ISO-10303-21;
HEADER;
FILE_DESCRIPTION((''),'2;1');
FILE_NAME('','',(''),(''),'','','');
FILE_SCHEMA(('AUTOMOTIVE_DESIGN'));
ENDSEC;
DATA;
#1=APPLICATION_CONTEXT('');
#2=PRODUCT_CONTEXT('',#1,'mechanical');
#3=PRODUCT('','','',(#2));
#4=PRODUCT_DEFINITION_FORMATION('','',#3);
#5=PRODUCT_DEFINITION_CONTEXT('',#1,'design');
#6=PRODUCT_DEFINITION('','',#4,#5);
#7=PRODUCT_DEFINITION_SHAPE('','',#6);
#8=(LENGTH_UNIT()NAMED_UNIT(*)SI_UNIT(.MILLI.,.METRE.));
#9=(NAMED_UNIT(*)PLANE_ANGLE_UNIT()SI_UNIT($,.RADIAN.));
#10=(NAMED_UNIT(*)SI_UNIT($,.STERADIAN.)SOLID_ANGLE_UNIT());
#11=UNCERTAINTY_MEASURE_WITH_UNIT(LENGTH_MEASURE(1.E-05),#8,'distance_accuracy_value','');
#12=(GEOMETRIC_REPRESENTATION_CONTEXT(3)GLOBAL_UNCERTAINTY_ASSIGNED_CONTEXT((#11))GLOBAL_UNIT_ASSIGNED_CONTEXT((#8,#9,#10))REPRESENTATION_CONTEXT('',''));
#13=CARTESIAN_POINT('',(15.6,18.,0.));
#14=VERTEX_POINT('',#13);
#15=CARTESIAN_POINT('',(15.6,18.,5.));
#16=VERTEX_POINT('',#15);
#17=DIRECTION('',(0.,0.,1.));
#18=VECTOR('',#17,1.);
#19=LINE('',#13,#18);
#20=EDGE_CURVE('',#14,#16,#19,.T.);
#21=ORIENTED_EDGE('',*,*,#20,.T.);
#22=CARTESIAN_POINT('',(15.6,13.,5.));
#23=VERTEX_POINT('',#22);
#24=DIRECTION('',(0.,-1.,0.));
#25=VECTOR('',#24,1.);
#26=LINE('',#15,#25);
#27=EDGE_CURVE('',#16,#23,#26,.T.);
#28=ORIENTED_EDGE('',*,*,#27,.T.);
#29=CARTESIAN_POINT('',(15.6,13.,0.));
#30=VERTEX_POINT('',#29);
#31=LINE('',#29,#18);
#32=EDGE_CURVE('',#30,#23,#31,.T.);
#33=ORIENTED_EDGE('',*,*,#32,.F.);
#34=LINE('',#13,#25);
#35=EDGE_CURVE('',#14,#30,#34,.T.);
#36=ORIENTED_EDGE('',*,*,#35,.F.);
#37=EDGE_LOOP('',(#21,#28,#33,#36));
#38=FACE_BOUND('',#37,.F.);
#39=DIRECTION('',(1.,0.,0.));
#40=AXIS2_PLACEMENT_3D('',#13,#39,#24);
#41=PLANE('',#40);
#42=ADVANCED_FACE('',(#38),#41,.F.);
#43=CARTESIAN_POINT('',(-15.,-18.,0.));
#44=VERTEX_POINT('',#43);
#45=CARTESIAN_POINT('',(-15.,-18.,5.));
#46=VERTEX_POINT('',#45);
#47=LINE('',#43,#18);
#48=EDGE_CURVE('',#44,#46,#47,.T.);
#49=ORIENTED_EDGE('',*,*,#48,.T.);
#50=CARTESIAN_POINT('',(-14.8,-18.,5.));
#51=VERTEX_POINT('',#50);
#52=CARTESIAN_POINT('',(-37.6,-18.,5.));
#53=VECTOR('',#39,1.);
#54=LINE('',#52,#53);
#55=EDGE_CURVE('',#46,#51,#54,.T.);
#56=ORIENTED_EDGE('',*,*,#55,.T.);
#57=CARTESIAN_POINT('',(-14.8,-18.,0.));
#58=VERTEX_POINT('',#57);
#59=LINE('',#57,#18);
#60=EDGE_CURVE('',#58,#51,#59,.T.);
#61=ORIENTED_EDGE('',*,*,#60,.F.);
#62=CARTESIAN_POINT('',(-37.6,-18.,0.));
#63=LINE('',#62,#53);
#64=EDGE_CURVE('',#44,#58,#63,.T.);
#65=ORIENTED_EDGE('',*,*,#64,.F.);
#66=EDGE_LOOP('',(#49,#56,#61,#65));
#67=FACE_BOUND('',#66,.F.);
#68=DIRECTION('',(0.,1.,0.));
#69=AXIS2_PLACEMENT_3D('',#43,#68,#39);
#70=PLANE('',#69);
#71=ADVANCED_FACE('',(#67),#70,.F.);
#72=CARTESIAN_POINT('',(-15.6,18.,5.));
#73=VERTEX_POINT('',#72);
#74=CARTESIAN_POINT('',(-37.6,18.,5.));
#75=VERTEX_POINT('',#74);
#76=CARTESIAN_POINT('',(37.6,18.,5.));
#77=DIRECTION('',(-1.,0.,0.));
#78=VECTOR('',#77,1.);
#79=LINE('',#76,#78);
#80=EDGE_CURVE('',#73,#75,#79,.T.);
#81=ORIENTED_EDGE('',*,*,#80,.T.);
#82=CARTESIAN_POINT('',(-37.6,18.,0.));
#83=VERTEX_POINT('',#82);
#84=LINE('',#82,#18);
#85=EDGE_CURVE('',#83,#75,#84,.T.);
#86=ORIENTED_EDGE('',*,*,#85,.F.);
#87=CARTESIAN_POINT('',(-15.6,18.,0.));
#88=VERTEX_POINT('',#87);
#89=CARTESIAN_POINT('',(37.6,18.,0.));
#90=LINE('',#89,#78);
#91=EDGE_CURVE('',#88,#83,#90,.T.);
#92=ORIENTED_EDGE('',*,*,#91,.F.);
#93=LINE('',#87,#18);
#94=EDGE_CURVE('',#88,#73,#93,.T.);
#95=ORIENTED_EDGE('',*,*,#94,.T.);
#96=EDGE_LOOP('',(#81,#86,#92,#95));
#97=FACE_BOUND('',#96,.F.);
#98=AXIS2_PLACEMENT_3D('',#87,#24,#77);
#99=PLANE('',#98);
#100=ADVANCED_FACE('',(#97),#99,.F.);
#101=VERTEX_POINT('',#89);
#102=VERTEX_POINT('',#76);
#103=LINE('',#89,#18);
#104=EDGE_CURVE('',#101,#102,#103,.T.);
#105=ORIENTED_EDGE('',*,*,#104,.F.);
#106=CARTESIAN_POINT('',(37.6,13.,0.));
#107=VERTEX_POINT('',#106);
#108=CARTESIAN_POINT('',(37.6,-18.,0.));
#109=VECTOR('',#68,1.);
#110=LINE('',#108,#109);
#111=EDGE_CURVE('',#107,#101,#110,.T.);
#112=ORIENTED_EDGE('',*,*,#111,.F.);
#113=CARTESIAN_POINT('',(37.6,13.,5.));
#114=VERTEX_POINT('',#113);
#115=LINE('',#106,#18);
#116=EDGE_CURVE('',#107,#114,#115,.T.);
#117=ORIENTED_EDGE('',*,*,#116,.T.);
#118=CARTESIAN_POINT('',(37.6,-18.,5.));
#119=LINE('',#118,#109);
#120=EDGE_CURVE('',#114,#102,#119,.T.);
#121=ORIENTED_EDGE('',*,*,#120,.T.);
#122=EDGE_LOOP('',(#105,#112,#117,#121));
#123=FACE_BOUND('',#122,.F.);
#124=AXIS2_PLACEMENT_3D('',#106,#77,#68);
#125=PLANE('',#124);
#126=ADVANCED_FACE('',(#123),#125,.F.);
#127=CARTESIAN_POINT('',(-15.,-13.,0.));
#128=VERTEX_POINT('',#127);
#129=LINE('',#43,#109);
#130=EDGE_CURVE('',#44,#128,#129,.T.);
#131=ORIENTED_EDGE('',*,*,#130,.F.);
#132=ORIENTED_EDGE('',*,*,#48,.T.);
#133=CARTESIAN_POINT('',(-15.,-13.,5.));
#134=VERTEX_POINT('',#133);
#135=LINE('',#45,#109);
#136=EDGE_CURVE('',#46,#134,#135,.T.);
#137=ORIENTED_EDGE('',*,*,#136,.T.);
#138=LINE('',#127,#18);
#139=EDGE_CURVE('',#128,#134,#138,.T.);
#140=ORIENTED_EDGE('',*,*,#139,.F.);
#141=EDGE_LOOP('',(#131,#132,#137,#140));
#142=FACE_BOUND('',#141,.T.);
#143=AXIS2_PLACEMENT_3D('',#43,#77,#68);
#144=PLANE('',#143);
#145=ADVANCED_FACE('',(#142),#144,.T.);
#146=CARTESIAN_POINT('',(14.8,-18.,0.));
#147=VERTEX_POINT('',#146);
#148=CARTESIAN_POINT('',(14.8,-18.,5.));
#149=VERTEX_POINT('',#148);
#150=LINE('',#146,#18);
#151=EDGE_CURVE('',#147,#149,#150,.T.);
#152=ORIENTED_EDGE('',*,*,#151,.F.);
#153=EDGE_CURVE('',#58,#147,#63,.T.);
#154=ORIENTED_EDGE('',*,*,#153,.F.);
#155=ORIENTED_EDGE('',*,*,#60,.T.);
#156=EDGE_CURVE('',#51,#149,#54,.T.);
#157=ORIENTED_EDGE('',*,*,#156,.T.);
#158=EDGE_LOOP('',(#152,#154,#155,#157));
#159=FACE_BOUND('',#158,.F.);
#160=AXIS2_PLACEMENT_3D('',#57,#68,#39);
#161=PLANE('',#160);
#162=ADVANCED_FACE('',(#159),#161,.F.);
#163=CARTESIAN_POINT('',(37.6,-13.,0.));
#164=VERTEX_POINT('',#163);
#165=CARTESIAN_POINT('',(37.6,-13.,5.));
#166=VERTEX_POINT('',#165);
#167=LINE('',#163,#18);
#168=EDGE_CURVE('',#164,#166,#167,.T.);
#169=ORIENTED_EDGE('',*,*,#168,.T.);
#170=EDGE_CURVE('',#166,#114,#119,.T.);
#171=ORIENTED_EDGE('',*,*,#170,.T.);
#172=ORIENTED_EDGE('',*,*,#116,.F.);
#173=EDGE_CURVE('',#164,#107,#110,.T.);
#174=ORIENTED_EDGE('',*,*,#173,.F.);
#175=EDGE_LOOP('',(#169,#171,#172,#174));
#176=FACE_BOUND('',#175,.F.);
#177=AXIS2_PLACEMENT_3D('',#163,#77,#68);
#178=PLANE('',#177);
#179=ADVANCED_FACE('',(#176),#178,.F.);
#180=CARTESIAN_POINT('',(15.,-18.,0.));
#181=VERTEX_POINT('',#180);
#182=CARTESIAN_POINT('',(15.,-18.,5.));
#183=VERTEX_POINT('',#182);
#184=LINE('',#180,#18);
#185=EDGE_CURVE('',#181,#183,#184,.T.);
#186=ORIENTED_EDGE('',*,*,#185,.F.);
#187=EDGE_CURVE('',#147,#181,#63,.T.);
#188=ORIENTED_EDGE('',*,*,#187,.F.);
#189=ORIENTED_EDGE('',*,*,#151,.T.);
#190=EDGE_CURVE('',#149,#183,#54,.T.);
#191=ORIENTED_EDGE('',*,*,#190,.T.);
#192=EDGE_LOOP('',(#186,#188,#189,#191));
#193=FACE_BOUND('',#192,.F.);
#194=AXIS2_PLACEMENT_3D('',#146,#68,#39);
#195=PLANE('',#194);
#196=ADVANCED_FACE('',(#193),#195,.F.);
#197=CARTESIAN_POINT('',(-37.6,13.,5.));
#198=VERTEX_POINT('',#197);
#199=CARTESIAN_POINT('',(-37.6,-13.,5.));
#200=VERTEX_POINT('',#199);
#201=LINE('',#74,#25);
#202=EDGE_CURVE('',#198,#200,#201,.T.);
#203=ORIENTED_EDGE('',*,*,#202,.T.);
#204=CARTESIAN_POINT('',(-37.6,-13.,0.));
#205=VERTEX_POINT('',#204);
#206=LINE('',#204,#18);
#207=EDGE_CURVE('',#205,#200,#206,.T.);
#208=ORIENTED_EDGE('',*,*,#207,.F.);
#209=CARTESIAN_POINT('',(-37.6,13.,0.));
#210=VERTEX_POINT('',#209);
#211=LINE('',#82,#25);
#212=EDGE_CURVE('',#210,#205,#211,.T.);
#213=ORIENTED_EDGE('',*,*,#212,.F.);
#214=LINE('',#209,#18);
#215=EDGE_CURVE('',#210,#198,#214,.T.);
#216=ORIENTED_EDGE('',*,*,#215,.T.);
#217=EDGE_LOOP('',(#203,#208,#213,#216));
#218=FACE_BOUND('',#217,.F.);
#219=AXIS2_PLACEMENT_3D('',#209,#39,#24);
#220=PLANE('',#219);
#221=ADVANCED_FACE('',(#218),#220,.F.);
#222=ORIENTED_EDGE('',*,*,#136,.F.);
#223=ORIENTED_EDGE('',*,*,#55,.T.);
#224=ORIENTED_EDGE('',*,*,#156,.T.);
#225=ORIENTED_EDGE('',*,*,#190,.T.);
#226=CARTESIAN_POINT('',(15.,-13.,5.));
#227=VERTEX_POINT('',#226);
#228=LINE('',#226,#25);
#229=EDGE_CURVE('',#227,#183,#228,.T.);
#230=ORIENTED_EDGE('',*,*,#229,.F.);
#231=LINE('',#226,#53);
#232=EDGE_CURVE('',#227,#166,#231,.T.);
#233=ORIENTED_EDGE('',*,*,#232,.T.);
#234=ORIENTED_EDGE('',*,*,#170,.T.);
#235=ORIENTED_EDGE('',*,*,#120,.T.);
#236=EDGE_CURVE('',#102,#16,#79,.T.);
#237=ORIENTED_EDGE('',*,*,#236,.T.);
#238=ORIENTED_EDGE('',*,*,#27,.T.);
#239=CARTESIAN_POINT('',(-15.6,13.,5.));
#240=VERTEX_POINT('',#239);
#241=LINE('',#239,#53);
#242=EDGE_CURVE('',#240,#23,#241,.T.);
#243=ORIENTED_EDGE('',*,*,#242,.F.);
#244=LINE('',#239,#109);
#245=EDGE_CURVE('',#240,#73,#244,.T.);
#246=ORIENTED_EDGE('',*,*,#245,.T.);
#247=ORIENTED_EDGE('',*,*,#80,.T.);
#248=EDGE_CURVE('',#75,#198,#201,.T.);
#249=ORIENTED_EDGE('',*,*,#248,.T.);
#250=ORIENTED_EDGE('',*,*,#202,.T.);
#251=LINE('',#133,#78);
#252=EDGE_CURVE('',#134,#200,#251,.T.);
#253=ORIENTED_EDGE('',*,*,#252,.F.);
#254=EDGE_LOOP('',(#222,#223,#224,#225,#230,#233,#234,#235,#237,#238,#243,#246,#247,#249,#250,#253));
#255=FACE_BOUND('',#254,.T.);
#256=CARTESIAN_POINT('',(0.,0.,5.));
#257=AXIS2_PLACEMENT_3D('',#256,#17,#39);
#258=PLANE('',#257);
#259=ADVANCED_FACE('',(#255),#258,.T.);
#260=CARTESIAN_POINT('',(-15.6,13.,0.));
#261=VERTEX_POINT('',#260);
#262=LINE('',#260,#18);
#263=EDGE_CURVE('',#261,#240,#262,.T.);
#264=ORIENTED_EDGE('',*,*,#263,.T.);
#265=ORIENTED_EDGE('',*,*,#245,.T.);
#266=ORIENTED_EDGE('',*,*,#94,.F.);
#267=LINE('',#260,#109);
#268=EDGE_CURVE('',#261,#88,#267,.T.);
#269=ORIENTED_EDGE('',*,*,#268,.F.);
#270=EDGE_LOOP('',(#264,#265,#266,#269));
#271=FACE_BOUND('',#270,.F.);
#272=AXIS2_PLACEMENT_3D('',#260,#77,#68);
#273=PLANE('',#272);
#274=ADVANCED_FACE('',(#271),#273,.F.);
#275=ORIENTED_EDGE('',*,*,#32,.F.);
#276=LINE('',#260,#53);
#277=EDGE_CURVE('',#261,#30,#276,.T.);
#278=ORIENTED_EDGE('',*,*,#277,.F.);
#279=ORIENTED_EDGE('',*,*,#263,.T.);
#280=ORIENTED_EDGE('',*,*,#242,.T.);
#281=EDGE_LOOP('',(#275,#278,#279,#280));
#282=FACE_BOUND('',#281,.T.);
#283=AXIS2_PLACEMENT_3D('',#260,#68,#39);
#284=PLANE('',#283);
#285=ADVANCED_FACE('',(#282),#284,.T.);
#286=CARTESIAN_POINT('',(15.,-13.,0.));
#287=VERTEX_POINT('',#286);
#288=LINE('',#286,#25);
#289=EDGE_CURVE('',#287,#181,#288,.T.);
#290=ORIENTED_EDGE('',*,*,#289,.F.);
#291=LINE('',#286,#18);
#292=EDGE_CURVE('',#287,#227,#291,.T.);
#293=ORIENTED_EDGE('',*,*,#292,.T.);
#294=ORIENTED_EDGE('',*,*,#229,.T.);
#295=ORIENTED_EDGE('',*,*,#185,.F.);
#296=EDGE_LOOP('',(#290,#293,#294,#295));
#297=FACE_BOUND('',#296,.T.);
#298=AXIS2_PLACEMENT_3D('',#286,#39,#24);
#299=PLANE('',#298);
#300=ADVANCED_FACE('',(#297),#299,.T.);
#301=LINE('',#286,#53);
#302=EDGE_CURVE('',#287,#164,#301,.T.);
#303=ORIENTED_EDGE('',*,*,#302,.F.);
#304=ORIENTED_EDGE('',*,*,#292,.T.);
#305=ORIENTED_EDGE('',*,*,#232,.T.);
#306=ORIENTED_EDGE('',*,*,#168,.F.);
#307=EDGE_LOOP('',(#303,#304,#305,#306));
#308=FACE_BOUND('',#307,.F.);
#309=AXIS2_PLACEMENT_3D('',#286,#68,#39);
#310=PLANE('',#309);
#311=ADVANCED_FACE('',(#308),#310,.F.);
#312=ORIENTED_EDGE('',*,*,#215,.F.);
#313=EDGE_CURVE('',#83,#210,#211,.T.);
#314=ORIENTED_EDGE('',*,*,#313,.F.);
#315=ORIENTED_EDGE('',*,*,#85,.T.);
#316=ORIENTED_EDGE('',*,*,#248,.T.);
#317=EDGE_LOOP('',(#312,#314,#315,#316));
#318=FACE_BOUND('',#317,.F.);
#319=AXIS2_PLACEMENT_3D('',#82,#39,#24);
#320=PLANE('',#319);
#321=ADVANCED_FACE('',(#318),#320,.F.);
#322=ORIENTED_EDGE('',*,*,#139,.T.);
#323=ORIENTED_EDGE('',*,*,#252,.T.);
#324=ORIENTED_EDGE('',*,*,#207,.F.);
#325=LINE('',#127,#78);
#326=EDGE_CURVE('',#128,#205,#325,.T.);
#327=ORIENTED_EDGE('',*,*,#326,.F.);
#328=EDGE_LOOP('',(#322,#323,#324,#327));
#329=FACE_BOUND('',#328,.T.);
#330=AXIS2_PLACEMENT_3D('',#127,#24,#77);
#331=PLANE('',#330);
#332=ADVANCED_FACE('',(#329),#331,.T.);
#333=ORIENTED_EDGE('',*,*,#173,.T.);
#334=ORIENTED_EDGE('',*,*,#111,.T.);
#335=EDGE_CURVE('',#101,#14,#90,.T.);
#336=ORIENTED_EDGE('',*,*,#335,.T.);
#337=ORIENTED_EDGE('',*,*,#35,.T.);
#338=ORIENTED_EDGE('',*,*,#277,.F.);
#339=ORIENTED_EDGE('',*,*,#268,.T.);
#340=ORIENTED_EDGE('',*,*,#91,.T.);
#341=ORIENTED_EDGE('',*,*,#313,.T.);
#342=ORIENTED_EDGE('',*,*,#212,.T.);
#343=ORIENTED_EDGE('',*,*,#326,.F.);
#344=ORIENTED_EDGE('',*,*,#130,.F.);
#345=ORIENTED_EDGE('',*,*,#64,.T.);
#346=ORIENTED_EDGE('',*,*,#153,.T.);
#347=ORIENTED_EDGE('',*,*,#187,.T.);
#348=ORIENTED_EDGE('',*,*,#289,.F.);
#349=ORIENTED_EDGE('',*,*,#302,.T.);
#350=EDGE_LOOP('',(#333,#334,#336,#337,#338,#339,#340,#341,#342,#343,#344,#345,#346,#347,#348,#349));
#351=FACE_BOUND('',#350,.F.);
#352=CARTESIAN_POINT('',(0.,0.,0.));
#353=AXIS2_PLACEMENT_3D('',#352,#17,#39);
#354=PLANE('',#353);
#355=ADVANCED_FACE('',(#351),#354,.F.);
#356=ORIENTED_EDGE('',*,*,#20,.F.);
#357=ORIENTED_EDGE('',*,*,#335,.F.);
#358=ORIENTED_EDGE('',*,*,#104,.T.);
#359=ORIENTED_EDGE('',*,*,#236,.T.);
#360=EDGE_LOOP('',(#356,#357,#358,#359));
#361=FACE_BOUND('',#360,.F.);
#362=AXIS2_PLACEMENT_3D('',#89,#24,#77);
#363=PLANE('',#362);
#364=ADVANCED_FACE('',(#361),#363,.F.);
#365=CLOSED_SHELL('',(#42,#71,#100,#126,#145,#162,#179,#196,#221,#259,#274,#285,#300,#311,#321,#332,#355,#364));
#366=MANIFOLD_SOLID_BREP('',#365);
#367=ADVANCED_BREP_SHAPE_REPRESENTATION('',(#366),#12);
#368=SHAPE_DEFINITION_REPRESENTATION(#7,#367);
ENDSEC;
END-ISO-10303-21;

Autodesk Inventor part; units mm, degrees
ref_plane "YZ Plane" through (0, 0, 0) normal (1, 0, 0) x (0, 1, 0)
ref_plane "XZ Plane" through (0, 0, 0) normal (0, 1, 0) x (-1, 0, 0)
ref_plane "XY Plane" through (0, 0, 0) normal (0, 0, 1) x (1, 0, 0)
sketch "Sketch1" plane through (0, 0, 0) normal (0, 0, 1) x (1, 0, 0)
  line L0 (-37.6, -18) -> (37.6, -18)
  line L1 (37.6, -18) -> (37.6, 18)
  line L2 (37.6, 18) -> (-37.6, 18)
  line L3 (-37.6, 18) -> (-37.6, -18)
  line L4 (-37.6, -18) -> (37.6, 18) construction
  line L5 (37.6, -18) -> (-37.6, 18) construction
  line L6 (-15.1, 18) -> (5.2739, 18)
  line L7 (-14.8, -18) -> (-37.6, -18)
  line L8 (-37.6, -18) -> (-37.6, -13)
  line L9 (0, 0) -> (0, -18) construction
  line L10 (14.8, -18) -> (37.6, -18)
  line L11 (37.6, -18) -> (37.6, -13)
  line L12 (-15.1, 18) -> (-37.6, 18)
  line L13 (-37.6, 18) -> (-37.6, 13)
  line L14 (15.1, 18) -> (37.6, 18)
  line L15 (37.6, 18) -> (37.6, 13)
  line L16 (-15, -13) -> (15, -13) construction
  line L17 (15, -13) -> (15, -18)
  line L18 (15, -18) -> (-15, -18)
  line L19 (-15, -18) -> (-15, -13)
  line L20 (-15, -13) -> (15, -18) construction
  line L21 (15, -13) -> (-15, -18) construction
  line L22 (-15, -13) -> (-37.6, -13)
  line L23 (15, -13) -> (37.6, -13)
  line L24 (-37.6, 13) -> (-15.6, 13) construction
  line L25 (-15.6, 13) -> (-15.6, 18)
  line L26 (-15.6, 18) -> (-37.6, 18)
  line L27 (-37.6, 18) -> (-37.6, 13)
  line L28 (-37.6, 13) -> (-15.6, 18) construction
  line L29 (-15.6, 13) -> (-37.6, 18) construction
  line L30 (15.6, 13) -> (37.6, 13) construction
  line L31 (37.6, 13) -> (37.6, 18)
  line L32 (37.6, 18) -> (15.6, 18)
  line L33 (15.6, 18) -> (15.6, 13)
  line L34 (15.6, 13) -> (37.6, 18) construction
  line L35 (37.6, 13) -> (15.6, 18) construction
  line L36 (-15.6, 13) -> (15.6, 13)
  point P0 (0, -15.5)
  point P1 (-37.6, -13)
  point P2 (-15, -18)
  point P3 (-26.6, 15.5)
  point P4 (26.6, 15.5)
  point P5 (15.6, 18)
  dimension "d1" = 36
  dimension "d27" = 5
  dimension "d28" = 30
  dimension "d30" = 5
  dimension "d31" = 5
  dimension "d32" = 22
  dimension "d33" = 22
  dimension "d34" = 53.2
extrude "Extrusion1" add sketch "Sketch1" along normal blind 5 contours L19 L22 L3 L2 L25 L36 L33 L1 L23 L17 L0
equation "\"d31\" = d30"
equation "\"d33\" = d32"
properties part number "lower-back-plate-support"
